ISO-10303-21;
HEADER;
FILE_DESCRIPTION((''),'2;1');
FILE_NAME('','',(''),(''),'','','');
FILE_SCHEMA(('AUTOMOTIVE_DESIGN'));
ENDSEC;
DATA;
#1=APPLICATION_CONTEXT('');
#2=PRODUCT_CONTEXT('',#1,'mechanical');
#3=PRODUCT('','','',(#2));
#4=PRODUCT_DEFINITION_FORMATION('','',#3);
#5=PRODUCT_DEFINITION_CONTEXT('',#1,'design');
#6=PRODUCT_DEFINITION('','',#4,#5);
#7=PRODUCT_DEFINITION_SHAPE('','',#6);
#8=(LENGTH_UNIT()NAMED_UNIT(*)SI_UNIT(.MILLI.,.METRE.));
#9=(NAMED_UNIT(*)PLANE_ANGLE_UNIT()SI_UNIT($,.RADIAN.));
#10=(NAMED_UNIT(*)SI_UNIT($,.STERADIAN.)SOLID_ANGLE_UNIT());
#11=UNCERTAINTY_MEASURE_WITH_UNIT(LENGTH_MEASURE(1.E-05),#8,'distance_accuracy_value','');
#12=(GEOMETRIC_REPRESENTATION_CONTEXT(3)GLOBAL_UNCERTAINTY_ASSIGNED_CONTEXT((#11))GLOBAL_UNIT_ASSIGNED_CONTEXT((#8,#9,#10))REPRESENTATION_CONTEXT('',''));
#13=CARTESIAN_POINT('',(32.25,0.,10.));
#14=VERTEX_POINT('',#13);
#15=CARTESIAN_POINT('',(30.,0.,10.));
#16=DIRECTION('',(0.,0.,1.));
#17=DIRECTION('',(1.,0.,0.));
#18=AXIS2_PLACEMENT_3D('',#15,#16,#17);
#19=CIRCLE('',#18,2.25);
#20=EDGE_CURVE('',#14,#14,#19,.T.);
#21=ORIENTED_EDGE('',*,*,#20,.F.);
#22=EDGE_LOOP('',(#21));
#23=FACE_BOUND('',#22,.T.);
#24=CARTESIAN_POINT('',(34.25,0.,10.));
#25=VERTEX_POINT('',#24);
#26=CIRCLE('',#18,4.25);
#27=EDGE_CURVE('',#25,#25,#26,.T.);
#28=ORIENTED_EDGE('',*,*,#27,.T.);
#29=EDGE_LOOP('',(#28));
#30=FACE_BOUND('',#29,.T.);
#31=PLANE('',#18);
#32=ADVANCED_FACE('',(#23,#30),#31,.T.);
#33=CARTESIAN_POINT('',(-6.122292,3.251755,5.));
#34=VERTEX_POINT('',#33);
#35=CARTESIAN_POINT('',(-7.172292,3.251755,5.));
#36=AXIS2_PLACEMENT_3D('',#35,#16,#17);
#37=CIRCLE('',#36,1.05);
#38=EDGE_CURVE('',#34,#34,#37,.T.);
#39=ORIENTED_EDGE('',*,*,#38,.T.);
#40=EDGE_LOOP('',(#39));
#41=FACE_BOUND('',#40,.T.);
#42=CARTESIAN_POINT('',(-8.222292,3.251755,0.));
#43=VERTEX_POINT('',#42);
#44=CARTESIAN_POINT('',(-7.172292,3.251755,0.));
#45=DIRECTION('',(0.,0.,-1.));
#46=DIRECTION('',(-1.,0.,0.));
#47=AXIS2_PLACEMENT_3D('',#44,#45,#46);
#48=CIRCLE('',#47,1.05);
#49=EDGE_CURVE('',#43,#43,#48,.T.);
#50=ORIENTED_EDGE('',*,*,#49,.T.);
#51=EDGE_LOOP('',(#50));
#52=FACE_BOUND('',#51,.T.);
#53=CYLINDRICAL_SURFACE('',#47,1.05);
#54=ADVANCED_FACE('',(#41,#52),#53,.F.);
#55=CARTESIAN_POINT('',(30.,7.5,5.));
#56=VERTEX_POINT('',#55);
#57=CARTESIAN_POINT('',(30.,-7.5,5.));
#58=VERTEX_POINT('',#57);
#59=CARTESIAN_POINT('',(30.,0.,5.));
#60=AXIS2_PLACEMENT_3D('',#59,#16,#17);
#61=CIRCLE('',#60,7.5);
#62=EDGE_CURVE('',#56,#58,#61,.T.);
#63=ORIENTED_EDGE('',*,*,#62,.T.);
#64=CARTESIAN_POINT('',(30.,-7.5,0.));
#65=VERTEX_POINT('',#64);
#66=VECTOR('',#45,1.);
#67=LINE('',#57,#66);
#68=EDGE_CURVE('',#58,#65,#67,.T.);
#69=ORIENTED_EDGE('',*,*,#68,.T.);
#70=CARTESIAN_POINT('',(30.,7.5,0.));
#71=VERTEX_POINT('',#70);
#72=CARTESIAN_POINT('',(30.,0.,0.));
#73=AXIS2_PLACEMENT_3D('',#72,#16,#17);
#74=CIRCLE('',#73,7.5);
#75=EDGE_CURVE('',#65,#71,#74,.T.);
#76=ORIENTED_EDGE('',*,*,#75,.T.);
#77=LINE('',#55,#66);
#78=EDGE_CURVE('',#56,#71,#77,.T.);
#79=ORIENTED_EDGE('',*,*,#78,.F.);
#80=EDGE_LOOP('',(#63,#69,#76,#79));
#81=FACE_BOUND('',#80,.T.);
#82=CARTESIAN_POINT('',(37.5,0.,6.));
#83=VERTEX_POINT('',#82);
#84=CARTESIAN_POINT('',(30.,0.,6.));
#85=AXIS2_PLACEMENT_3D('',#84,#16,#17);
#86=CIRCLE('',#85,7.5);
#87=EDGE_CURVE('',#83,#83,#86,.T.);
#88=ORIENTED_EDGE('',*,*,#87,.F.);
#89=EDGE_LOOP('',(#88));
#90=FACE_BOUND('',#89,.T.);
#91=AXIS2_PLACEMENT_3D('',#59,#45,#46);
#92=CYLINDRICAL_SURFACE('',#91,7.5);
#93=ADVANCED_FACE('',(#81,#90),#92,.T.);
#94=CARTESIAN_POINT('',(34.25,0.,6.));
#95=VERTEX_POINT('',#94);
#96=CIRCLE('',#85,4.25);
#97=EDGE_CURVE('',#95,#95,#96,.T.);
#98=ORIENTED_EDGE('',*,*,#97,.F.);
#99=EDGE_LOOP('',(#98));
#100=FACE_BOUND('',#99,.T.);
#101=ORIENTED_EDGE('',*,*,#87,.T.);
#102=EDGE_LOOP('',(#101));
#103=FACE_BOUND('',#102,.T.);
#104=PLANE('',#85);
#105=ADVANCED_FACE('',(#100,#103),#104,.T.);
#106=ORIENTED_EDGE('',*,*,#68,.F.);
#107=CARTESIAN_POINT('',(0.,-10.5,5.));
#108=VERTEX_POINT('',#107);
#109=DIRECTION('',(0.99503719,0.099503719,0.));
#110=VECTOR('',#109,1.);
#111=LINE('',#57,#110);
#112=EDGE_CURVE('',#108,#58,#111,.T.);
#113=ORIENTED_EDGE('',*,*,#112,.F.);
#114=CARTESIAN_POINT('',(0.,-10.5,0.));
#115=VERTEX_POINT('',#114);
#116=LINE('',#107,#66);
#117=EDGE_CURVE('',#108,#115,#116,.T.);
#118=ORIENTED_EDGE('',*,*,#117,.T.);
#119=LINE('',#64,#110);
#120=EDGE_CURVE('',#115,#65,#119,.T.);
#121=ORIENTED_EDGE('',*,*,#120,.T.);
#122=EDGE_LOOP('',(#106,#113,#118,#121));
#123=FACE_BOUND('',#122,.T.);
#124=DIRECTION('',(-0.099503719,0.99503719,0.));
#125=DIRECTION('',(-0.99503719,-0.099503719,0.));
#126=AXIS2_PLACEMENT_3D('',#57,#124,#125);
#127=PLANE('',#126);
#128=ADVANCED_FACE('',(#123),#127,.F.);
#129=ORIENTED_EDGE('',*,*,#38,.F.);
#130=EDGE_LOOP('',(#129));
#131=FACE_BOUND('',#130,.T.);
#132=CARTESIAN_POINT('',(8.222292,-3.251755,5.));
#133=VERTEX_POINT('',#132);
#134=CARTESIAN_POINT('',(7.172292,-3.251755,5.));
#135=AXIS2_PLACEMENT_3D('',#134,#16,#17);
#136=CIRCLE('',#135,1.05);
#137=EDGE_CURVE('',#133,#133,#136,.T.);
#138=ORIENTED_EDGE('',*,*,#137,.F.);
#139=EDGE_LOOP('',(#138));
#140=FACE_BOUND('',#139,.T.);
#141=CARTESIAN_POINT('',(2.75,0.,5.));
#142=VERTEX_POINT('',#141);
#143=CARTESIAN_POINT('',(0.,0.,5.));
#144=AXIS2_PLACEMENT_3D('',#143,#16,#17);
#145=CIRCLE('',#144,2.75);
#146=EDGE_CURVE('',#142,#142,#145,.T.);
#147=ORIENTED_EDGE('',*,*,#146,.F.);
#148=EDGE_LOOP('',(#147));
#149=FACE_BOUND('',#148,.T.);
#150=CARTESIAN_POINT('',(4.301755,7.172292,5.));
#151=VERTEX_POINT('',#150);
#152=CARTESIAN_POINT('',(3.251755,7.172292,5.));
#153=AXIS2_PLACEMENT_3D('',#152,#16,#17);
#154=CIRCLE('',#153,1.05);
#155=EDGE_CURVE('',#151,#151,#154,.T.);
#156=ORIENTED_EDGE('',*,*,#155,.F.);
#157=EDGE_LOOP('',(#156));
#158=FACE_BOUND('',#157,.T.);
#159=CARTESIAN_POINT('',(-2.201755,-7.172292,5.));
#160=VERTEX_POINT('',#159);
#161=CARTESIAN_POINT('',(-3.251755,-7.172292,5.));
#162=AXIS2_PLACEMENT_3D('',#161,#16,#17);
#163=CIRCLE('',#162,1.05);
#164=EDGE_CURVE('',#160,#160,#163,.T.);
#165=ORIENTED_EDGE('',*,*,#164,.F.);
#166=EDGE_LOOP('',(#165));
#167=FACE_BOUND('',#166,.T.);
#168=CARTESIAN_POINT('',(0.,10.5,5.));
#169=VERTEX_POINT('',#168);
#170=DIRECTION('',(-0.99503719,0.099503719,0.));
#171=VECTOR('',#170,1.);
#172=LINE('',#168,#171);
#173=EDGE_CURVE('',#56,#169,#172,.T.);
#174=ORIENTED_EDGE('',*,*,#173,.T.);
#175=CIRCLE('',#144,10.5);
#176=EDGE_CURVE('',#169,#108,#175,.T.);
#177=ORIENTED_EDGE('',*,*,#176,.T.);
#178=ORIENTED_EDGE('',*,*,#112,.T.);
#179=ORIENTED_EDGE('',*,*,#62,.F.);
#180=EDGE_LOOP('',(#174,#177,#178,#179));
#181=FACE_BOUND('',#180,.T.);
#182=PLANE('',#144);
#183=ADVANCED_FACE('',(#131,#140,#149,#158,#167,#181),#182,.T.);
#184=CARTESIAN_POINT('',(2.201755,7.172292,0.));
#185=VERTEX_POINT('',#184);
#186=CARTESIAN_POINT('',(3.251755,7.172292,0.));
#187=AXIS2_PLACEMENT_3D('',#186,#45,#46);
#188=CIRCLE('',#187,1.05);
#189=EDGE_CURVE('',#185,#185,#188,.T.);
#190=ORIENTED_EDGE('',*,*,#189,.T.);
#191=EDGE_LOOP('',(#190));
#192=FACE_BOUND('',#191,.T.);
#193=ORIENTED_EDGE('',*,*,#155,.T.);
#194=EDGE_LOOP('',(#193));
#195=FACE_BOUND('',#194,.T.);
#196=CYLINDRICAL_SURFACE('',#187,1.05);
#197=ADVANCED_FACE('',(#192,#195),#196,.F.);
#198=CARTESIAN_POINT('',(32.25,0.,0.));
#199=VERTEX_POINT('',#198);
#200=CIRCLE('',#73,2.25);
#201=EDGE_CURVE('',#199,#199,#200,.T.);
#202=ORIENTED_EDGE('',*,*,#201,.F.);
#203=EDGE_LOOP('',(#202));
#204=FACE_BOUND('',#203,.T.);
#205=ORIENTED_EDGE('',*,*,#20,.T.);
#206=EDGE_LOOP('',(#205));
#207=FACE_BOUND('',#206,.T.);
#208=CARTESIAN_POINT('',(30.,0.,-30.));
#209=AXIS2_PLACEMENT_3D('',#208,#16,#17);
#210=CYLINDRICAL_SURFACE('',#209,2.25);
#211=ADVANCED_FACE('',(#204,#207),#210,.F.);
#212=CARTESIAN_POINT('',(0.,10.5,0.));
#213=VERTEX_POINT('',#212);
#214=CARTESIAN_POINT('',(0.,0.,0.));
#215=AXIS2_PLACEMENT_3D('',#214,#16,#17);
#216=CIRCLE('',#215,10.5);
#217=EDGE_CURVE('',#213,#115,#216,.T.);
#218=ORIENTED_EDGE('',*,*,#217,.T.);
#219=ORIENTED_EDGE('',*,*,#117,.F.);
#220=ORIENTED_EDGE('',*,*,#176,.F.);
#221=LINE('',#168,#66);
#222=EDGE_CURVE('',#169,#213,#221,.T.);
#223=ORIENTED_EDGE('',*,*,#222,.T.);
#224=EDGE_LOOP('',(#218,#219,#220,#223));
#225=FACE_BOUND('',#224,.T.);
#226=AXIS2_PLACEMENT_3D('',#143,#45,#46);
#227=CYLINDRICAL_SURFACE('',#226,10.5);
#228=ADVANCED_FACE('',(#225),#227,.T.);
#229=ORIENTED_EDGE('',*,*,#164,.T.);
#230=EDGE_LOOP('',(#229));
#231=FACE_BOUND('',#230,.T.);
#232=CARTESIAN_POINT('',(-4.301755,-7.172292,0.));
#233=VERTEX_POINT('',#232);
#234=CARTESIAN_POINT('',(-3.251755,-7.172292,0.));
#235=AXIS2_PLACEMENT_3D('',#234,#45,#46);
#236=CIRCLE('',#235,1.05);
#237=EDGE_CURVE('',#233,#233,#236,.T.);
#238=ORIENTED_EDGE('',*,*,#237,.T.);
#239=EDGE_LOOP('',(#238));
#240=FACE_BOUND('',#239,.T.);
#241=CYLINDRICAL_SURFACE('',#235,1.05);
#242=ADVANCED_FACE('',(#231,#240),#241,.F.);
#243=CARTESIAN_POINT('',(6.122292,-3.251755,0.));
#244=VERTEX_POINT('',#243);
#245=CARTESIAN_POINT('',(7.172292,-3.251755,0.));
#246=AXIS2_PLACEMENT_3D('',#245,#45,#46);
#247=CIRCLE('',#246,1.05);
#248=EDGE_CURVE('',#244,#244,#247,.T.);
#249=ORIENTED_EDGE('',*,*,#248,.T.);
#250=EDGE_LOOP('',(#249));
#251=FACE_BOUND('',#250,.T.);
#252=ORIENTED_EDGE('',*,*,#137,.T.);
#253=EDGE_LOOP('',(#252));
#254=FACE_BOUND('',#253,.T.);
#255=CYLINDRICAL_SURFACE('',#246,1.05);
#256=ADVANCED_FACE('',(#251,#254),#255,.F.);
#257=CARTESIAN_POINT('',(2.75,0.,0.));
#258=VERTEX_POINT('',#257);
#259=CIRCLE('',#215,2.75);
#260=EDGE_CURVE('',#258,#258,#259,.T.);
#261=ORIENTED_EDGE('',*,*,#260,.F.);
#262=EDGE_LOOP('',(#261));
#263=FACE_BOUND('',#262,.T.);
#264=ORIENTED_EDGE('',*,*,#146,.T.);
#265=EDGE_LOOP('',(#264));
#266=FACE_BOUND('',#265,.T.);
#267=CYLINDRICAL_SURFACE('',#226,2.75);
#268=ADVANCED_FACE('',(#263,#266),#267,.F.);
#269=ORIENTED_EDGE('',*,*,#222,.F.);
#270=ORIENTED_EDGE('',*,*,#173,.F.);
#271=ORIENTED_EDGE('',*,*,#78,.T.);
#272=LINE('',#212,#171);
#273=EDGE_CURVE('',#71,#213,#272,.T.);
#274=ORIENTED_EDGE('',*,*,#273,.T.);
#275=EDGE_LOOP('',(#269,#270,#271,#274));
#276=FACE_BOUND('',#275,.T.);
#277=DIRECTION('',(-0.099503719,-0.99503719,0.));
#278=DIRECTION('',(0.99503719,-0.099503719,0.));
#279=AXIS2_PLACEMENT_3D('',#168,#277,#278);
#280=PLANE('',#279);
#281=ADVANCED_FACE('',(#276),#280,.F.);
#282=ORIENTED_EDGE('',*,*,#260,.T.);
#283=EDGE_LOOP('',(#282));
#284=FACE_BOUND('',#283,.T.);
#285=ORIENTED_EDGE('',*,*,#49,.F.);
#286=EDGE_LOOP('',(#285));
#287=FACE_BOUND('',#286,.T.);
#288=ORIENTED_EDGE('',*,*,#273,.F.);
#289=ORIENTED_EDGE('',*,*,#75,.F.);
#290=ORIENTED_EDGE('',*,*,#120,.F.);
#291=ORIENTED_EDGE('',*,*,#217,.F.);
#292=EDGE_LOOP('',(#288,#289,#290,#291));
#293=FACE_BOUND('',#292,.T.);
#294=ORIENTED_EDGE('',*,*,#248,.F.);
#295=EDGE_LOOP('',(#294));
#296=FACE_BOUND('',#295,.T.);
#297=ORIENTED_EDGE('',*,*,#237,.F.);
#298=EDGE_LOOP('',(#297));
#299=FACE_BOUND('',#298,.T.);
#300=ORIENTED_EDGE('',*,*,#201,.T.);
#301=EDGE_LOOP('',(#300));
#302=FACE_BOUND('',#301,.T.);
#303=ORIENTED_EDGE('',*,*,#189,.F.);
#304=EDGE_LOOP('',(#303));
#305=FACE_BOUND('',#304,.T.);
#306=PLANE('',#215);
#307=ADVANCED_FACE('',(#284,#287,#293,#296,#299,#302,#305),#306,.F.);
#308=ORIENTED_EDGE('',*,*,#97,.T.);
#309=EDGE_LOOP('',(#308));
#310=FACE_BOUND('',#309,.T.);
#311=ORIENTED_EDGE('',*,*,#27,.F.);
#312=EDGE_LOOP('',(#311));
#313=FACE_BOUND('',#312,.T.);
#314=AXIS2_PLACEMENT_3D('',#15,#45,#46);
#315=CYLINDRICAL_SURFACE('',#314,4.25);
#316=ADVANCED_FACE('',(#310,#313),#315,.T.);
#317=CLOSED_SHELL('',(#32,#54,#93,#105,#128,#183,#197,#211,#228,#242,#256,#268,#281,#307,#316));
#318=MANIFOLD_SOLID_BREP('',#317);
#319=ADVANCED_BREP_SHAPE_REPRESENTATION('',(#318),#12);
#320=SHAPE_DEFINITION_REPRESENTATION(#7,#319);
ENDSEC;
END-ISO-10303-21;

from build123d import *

# Parameters (mm, degrees)
SKETCH_1_R           = 2.75
EXTRUDE_1_DEPTH      = 5
SKETCH_2_R           = 4.250000000000005
EXTRUDE_2_DEPTH      = 5
SKETCH_3_R           = 2.250000000000002
CUT_EXTRUDE_1_DEPTH  = 40.00000000000001
HOLE_WIZARD_M1_8_1_D = 2.1
SKETCH_8_R           = 7.499999999835785
SKETCH_8_R_2         = 2.249999999836049
EXTRUDE_3_DEPTH      = 1


with BuildPart() as part:
    # 스케치1 → 보스-돌출1 (new body)
    with BuildSketch(Plane.XY):
        with BuildLine():
            Line((2.51e-15, 10.5), (30, 7.5))
            ThreePointArc((30, 7.5), (37.5, 0), (30, -7.5))
            Line((30, -7.5), (2.51e-15, -10.5))
            ThreePointArc((2.51e-15, -10.5), (-10.5, 1.29e-15), (2.51e-15, 10.5))
        make_face()
        Circle(SKETCH_1_R, mode=Mode.SUBTRACT)
    extrude(amount=EXTRUDE_1_DEPTH)

    # 스케치2 → 보스-돌출2 (add)
    with BuildSketch(Plane.XY.offset(5)):
        with Locations((30, 0)):
            Circle(SKETCH_2_R)
    extrude(amount=EXTRUDE_2_DEPTH)

    # 스케치3 → 컷-돌출1 (cut)
    with BuildSketch(Plane.XY.offset(10)):
        with Locations((30, 0)):
            Circle(SKETCH_3_R)
    extrude(amount=-CUT_EXTRUDE_1_DEPTH, mode=Mode.SUBTRACT)

    # M1.8 여유 구멍1 (through all)
    with Locations(Plane(origin=(0, 0, 0), x_dir=(-1, 0, 0), z_dir=(0, 0, -1))):
        with Locations((-7.172291773, -3.251754556), (3.251754556, -7.172291774), (7.172291774, 3.251754554), (-3.251754555, 7.172291773)):
            Hole(HOLE_WIZARD_M1_8_1_D / 2)

    # 스케치8 → 보스-돌출3 (add)
    with BuildSketch(Plane.XY.offset(5)):
        with Locations(Location((30.000000000162284, 3.18634e-11, 0), (0, 0, 269.999999996))):
            Circle(SKETCH_8_R)
        with Locations((30.000000000162284, 3.18634e-11)):
            Circle(SKETCH_8_R_2, mode=Mode.SUBTRACT)
    extrude(amount=EXTRUDE_3_DEPTH)


solid = part.part
